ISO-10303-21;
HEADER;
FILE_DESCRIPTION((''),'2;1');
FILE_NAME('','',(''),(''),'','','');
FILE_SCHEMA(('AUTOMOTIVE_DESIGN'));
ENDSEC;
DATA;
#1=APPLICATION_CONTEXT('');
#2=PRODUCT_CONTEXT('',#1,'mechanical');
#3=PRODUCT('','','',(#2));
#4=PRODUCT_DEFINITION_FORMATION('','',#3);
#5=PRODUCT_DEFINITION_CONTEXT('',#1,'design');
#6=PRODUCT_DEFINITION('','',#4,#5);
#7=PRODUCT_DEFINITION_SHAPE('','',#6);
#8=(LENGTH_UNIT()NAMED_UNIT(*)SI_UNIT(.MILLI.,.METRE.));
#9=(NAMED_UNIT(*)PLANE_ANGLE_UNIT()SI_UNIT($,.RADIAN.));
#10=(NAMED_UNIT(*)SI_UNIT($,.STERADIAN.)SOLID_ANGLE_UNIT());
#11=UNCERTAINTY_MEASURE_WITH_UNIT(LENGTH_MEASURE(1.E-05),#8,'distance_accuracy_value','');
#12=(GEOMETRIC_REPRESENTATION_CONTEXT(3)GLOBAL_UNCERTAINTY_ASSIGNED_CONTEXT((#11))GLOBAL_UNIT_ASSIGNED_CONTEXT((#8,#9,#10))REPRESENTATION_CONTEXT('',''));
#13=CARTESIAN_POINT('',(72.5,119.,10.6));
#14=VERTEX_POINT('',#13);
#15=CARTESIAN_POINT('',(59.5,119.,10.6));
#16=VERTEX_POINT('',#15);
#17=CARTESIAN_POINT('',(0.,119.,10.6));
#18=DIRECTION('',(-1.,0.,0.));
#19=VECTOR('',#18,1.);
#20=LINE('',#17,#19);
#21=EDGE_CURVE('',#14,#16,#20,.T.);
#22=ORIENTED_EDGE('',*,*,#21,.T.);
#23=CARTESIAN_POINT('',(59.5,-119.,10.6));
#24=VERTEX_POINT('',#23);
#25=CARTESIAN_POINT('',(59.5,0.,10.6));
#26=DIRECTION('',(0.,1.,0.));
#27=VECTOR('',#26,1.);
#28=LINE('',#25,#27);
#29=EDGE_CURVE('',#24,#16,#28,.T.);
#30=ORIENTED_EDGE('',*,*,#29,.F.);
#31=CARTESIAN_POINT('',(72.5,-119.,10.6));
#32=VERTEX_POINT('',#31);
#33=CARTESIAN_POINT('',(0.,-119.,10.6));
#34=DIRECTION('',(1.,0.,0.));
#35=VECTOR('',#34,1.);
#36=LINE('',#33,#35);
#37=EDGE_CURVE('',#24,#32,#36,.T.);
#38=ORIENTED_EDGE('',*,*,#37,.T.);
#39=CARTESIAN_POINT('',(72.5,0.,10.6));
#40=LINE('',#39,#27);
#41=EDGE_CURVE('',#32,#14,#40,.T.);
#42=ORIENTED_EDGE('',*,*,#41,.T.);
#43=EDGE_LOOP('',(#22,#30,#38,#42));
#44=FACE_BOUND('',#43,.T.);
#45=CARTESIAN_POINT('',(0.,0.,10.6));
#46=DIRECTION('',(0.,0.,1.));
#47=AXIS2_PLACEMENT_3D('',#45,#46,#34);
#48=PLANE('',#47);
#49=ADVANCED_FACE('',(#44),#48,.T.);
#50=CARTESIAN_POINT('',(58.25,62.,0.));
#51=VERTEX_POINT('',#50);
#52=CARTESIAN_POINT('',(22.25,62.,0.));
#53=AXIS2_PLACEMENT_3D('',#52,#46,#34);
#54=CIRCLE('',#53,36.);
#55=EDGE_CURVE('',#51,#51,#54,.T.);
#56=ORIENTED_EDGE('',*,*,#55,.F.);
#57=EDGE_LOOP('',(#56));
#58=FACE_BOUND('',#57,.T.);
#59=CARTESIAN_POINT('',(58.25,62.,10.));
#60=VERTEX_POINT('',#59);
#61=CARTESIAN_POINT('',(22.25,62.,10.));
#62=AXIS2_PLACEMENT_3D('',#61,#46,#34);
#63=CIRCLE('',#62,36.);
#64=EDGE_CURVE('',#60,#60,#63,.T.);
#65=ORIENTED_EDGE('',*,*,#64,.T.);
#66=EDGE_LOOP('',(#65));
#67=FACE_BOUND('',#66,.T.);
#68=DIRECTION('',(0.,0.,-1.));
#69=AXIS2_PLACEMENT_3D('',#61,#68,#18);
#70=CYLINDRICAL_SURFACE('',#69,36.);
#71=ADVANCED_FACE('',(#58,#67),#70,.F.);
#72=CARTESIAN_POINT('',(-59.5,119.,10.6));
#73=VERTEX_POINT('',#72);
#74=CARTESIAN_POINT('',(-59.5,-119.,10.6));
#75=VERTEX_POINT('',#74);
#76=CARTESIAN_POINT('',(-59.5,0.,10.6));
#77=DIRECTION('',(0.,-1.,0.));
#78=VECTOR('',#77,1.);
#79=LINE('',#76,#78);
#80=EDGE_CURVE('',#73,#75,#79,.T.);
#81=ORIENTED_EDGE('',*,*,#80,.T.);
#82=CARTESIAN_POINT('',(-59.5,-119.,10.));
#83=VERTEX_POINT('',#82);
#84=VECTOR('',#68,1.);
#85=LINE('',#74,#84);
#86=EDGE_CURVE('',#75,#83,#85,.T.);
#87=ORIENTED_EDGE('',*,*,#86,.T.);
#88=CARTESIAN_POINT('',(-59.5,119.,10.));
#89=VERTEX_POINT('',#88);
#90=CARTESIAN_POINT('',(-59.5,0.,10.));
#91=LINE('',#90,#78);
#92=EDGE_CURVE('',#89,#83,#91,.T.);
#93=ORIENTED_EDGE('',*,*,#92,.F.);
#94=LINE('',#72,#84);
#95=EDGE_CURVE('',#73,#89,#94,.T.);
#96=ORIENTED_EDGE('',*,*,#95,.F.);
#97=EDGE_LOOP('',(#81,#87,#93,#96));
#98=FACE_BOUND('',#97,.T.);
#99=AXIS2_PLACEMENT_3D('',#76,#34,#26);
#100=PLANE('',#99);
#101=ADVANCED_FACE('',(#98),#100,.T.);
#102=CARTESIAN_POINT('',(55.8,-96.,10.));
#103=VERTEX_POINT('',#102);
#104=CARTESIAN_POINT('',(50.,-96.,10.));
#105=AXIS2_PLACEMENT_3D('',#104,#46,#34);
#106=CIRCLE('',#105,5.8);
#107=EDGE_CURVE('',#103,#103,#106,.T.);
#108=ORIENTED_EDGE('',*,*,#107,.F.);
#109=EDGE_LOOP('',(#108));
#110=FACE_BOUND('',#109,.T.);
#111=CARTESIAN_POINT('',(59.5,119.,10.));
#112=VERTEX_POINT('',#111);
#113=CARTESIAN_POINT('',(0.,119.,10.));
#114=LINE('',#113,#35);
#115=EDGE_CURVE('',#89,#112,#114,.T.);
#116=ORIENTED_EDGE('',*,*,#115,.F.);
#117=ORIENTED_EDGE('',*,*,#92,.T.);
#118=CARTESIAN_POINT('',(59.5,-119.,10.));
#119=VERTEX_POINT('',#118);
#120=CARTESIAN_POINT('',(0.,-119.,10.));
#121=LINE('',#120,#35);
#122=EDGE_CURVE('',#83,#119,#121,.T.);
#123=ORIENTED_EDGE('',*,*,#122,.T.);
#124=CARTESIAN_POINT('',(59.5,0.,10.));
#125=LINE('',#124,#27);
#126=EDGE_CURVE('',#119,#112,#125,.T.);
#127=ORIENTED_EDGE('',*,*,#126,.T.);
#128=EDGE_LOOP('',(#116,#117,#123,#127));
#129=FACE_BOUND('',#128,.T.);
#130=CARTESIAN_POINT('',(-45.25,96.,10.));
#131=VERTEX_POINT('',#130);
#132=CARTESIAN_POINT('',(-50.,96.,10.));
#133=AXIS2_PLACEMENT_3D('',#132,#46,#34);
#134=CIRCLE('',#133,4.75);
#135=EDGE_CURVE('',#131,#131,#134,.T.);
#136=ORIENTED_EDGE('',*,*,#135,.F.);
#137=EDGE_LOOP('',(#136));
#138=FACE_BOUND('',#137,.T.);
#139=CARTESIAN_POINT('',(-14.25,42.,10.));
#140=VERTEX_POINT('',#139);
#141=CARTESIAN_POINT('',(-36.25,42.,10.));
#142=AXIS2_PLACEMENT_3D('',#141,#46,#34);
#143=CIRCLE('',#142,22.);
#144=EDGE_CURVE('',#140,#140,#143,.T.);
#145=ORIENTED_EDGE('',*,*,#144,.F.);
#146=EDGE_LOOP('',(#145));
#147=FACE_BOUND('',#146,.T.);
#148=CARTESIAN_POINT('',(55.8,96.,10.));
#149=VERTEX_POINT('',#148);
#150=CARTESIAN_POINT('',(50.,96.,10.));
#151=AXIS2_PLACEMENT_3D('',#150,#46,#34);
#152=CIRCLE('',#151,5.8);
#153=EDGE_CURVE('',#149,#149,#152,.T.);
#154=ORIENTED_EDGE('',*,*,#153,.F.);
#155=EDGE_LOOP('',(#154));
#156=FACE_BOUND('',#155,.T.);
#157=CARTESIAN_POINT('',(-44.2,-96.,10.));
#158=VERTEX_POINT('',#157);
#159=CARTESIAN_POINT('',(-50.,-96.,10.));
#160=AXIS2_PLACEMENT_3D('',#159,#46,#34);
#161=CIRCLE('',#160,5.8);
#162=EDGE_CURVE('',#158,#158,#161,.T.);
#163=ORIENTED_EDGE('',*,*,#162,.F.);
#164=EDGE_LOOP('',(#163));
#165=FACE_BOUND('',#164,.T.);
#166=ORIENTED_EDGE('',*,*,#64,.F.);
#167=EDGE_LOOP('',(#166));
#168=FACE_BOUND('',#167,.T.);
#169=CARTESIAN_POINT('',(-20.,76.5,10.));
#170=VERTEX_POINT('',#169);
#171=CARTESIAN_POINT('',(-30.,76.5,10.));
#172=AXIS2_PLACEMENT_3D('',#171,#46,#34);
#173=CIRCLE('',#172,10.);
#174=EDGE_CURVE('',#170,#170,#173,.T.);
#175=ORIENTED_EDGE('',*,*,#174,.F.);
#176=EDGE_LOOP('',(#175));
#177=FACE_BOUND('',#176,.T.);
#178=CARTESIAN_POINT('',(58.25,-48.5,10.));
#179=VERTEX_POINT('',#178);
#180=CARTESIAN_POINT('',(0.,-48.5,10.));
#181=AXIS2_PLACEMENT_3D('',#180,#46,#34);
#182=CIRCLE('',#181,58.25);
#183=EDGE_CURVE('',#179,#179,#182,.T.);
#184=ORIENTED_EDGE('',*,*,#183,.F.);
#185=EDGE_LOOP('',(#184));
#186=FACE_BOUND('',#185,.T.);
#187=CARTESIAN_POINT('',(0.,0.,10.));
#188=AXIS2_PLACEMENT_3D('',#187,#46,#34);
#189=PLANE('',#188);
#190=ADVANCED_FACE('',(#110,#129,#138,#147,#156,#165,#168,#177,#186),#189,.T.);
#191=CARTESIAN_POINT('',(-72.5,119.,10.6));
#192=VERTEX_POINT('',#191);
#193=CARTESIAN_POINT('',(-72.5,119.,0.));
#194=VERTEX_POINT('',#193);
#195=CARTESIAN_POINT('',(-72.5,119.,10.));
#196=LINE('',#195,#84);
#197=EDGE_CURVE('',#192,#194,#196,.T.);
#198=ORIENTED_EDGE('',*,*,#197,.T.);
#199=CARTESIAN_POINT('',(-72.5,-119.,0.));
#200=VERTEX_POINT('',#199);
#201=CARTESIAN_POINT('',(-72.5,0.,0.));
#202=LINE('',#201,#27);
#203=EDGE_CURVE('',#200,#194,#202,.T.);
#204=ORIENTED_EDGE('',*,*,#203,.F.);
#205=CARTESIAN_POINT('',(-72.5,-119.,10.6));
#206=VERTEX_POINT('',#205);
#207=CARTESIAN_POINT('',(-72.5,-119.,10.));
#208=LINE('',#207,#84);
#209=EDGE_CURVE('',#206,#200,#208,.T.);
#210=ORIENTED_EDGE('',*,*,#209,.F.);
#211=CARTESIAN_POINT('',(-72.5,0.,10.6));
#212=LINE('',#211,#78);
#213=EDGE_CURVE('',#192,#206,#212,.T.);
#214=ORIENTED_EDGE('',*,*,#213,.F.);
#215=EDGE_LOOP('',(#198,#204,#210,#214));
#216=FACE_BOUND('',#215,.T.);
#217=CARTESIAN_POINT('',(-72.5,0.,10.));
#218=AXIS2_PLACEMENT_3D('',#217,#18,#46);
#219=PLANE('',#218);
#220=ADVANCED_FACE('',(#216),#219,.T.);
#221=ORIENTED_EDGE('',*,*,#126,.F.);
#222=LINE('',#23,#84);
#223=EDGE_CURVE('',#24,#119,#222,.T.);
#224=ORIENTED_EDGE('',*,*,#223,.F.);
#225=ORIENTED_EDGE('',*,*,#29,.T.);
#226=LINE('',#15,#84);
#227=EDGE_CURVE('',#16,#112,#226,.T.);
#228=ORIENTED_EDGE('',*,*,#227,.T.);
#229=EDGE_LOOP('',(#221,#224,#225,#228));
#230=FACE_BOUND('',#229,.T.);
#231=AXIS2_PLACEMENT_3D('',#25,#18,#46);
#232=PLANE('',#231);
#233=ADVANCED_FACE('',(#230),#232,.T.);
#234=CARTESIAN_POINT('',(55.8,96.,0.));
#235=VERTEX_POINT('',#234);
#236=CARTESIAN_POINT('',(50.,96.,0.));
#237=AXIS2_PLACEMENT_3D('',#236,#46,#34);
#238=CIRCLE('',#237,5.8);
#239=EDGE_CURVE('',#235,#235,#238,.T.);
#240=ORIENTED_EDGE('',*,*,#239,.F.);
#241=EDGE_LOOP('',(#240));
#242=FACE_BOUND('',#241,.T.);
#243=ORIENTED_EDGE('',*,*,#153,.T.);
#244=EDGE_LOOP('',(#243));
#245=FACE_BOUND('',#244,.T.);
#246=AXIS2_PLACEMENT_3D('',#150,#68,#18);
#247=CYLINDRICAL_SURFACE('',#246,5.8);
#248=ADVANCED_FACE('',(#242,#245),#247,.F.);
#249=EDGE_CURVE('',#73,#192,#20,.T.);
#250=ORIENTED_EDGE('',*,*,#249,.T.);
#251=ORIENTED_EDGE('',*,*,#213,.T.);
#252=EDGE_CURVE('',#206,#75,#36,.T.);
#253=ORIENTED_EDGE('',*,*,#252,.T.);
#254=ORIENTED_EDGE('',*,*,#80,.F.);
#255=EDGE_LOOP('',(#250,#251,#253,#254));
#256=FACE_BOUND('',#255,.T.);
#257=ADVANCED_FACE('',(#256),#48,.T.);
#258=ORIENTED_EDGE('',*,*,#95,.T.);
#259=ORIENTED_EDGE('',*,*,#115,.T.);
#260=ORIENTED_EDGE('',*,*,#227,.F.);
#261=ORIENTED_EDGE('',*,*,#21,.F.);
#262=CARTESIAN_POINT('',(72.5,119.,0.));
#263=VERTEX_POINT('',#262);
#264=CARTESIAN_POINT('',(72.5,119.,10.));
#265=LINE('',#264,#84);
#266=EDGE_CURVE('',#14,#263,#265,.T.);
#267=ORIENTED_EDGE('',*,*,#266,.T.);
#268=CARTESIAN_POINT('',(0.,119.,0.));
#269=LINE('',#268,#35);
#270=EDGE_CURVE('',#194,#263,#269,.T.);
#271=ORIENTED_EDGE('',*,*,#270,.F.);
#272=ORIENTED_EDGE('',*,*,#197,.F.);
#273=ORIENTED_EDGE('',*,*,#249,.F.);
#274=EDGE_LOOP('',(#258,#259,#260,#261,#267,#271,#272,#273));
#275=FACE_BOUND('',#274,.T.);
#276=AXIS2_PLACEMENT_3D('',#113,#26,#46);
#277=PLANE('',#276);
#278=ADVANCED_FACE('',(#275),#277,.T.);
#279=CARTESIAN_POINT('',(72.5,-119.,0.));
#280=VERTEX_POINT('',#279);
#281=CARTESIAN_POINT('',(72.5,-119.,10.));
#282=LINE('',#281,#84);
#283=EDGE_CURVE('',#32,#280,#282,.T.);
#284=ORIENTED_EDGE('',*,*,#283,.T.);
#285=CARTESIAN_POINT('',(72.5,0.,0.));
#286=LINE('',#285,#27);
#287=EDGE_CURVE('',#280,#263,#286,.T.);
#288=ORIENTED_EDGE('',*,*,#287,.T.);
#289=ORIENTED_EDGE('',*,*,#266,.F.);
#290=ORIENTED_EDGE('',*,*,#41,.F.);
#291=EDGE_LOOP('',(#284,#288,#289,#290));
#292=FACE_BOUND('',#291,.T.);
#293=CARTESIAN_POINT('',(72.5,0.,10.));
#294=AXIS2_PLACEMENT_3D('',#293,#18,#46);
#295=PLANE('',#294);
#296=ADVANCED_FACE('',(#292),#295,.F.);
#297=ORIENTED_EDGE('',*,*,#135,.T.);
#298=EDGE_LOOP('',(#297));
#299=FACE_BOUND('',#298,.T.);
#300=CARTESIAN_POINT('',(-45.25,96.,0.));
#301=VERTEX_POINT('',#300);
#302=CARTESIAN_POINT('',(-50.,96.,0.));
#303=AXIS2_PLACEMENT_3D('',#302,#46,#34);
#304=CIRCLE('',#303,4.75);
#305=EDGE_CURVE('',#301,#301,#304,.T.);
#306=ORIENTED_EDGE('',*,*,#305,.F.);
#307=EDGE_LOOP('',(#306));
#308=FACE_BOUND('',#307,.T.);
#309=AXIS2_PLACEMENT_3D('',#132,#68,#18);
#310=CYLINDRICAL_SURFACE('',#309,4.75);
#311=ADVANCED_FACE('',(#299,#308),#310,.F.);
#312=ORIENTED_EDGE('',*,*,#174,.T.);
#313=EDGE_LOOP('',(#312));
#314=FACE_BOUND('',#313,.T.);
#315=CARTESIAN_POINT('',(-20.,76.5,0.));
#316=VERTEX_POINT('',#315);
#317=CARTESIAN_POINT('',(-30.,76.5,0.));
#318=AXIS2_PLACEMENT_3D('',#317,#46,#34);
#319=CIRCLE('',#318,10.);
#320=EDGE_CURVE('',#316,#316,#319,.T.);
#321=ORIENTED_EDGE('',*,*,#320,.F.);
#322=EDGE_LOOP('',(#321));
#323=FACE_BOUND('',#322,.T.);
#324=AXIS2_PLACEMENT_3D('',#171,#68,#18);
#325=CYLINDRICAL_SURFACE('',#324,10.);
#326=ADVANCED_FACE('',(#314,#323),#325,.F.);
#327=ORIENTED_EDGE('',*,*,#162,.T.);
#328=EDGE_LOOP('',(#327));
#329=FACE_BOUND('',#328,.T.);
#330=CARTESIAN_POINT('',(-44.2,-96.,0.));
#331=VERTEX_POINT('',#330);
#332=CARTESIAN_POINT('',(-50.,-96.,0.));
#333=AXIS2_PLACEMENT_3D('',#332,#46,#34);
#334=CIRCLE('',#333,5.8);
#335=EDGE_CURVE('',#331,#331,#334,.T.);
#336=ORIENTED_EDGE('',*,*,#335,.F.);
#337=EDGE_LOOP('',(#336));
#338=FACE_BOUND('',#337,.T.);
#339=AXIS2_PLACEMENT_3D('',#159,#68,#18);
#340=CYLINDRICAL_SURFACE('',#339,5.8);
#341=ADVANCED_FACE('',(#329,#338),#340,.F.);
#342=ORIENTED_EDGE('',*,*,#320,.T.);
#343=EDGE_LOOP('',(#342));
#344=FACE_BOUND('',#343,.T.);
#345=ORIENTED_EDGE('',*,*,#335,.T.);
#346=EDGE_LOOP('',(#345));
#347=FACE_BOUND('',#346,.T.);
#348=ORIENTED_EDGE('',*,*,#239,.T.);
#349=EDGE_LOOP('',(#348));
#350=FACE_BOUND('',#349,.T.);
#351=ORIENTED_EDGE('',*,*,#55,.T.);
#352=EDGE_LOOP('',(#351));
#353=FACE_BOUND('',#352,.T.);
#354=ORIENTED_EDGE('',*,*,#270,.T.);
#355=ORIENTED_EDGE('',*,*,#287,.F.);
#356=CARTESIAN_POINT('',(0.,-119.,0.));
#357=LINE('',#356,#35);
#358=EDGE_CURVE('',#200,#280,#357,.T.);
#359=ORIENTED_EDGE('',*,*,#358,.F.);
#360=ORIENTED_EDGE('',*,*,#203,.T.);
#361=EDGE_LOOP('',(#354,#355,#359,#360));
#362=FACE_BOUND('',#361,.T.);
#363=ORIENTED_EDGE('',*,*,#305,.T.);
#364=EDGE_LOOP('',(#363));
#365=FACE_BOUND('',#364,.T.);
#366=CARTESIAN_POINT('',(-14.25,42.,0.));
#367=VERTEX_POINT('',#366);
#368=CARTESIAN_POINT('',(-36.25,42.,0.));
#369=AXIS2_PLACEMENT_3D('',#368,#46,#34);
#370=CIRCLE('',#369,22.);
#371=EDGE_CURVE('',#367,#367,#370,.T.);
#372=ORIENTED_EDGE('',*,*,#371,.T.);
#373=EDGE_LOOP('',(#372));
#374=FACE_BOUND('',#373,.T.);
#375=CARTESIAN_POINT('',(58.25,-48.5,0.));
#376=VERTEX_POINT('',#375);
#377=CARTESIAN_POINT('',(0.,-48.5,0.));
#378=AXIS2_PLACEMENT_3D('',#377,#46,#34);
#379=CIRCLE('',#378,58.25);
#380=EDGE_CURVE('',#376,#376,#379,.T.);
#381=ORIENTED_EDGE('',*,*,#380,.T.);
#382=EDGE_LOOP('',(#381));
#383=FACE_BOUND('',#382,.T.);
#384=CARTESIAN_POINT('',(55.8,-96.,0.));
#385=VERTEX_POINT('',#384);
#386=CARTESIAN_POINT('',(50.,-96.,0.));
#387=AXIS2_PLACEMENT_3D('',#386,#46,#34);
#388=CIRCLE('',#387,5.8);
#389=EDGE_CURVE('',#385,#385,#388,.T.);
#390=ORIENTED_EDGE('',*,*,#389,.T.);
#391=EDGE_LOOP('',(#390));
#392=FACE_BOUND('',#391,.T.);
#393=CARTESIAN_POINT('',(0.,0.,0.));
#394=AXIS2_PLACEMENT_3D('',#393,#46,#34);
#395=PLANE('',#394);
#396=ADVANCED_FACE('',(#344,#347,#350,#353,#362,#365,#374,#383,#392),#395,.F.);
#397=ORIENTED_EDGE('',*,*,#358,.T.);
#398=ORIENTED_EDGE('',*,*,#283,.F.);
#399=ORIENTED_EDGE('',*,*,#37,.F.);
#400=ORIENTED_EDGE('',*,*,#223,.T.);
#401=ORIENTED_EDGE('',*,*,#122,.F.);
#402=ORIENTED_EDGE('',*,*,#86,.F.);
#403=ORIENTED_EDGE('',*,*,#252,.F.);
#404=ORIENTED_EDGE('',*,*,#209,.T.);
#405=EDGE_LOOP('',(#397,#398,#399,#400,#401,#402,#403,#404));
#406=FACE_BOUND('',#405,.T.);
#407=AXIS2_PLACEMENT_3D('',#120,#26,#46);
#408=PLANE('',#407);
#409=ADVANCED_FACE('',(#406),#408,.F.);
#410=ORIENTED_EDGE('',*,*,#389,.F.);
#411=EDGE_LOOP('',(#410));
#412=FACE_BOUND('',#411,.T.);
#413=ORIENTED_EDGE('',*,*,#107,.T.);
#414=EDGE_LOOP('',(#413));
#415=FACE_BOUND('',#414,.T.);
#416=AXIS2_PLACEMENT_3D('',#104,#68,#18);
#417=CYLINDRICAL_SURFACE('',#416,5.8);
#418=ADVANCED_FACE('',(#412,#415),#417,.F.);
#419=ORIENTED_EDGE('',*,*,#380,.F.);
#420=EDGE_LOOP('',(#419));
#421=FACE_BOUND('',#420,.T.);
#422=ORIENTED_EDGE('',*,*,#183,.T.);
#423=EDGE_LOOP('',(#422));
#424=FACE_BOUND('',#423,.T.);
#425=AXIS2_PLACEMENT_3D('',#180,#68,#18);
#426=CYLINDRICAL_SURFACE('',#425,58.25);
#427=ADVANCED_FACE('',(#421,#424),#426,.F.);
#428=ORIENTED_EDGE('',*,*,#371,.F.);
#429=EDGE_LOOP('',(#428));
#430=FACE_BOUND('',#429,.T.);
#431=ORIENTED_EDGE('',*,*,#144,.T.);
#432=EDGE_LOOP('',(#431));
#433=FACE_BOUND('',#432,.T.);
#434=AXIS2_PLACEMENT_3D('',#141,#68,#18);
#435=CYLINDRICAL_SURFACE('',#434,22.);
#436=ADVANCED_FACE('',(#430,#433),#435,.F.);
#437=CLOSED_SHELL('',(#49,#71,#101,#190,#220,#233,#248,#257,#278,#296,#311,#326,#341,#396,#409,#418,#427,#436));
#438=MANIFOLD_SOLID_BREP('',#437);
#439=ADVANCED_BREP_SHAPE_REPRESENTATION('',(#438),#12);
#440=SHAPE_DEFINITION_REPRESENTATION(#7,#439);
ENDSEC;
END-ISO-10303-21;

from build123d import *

# Parameters (mm, degrees)
SKETCH1_W           = 145
SKETCH1_H           = 238
SKETCH1_R           = 5.8
SKETCH1_R_2         = 22
SKETCH1_R_3         = 36
SKETCH1_R_4         = 58.25
SKETCH1_R_5         = 10
SKETCH1_R_6         = 4.75
BOSS_EXTRUDE1_DEPTH = 10
SKETCH2_W           = 13
SKETCH2_H           = 238
BOSS_EXTRUDE2_DEPTH = 0.6


with BuildPart() as part:
    # Sketch1 → Boss-Extrude1 (new body)
    with BuildSketch(Plane.XY):
        Rectangle(SKETCH1_W, SKETCH1_H)
        with Locations((50, 96)):
            Circle(SKETCH1_R, mode=Mode.SUBTRACT)
        with Locations((50, -96)):
            Circle(SKETCH1_R, mode=Mode.SUBTRACT)
        with Locations((-50, -96)):
            Circle(SKETCH1_R, mode=Mode.SUBTRACT)
        with Locations((-36.25, 42)):
            Circle(SKETCH1_R_2, mode=Mode.SUBTRACT)
        with Locations((22.25, 62)):
            Circle(SKETCH1_R_3, mode=Mode.SUBTRACT)
        with Locations((0, -48.5)):
            Circle(SKETCH1_R_4, mode=Mode.SUBTRACT)
        with Locations((-30, 76.5)):
            Circle(SKETCH1_R_5, mode=Mode.SUBTRACT)
        with Locations((-50, 96)):
            Circle(SKETCH1_R_6, mode=Mode.SUBTRACT)
    extrude(amount=BOSS_EXTRUDE1_DEPTH)

    # Sketch2 → Boss-Extrude2 (add)
    with BuildSketch(Plane.XY.offset(10)):
        with Locations((-66, 0)):
            Rectangle(SKETCH2_W, SKETCH2_H)
        with Locations((66, 0)):
            Rectangle(SKETCH2_W, SKETCH2_H)
    extrude(amount=BOSS_EXTRUDE2_DEPTH)


solid = part.part
